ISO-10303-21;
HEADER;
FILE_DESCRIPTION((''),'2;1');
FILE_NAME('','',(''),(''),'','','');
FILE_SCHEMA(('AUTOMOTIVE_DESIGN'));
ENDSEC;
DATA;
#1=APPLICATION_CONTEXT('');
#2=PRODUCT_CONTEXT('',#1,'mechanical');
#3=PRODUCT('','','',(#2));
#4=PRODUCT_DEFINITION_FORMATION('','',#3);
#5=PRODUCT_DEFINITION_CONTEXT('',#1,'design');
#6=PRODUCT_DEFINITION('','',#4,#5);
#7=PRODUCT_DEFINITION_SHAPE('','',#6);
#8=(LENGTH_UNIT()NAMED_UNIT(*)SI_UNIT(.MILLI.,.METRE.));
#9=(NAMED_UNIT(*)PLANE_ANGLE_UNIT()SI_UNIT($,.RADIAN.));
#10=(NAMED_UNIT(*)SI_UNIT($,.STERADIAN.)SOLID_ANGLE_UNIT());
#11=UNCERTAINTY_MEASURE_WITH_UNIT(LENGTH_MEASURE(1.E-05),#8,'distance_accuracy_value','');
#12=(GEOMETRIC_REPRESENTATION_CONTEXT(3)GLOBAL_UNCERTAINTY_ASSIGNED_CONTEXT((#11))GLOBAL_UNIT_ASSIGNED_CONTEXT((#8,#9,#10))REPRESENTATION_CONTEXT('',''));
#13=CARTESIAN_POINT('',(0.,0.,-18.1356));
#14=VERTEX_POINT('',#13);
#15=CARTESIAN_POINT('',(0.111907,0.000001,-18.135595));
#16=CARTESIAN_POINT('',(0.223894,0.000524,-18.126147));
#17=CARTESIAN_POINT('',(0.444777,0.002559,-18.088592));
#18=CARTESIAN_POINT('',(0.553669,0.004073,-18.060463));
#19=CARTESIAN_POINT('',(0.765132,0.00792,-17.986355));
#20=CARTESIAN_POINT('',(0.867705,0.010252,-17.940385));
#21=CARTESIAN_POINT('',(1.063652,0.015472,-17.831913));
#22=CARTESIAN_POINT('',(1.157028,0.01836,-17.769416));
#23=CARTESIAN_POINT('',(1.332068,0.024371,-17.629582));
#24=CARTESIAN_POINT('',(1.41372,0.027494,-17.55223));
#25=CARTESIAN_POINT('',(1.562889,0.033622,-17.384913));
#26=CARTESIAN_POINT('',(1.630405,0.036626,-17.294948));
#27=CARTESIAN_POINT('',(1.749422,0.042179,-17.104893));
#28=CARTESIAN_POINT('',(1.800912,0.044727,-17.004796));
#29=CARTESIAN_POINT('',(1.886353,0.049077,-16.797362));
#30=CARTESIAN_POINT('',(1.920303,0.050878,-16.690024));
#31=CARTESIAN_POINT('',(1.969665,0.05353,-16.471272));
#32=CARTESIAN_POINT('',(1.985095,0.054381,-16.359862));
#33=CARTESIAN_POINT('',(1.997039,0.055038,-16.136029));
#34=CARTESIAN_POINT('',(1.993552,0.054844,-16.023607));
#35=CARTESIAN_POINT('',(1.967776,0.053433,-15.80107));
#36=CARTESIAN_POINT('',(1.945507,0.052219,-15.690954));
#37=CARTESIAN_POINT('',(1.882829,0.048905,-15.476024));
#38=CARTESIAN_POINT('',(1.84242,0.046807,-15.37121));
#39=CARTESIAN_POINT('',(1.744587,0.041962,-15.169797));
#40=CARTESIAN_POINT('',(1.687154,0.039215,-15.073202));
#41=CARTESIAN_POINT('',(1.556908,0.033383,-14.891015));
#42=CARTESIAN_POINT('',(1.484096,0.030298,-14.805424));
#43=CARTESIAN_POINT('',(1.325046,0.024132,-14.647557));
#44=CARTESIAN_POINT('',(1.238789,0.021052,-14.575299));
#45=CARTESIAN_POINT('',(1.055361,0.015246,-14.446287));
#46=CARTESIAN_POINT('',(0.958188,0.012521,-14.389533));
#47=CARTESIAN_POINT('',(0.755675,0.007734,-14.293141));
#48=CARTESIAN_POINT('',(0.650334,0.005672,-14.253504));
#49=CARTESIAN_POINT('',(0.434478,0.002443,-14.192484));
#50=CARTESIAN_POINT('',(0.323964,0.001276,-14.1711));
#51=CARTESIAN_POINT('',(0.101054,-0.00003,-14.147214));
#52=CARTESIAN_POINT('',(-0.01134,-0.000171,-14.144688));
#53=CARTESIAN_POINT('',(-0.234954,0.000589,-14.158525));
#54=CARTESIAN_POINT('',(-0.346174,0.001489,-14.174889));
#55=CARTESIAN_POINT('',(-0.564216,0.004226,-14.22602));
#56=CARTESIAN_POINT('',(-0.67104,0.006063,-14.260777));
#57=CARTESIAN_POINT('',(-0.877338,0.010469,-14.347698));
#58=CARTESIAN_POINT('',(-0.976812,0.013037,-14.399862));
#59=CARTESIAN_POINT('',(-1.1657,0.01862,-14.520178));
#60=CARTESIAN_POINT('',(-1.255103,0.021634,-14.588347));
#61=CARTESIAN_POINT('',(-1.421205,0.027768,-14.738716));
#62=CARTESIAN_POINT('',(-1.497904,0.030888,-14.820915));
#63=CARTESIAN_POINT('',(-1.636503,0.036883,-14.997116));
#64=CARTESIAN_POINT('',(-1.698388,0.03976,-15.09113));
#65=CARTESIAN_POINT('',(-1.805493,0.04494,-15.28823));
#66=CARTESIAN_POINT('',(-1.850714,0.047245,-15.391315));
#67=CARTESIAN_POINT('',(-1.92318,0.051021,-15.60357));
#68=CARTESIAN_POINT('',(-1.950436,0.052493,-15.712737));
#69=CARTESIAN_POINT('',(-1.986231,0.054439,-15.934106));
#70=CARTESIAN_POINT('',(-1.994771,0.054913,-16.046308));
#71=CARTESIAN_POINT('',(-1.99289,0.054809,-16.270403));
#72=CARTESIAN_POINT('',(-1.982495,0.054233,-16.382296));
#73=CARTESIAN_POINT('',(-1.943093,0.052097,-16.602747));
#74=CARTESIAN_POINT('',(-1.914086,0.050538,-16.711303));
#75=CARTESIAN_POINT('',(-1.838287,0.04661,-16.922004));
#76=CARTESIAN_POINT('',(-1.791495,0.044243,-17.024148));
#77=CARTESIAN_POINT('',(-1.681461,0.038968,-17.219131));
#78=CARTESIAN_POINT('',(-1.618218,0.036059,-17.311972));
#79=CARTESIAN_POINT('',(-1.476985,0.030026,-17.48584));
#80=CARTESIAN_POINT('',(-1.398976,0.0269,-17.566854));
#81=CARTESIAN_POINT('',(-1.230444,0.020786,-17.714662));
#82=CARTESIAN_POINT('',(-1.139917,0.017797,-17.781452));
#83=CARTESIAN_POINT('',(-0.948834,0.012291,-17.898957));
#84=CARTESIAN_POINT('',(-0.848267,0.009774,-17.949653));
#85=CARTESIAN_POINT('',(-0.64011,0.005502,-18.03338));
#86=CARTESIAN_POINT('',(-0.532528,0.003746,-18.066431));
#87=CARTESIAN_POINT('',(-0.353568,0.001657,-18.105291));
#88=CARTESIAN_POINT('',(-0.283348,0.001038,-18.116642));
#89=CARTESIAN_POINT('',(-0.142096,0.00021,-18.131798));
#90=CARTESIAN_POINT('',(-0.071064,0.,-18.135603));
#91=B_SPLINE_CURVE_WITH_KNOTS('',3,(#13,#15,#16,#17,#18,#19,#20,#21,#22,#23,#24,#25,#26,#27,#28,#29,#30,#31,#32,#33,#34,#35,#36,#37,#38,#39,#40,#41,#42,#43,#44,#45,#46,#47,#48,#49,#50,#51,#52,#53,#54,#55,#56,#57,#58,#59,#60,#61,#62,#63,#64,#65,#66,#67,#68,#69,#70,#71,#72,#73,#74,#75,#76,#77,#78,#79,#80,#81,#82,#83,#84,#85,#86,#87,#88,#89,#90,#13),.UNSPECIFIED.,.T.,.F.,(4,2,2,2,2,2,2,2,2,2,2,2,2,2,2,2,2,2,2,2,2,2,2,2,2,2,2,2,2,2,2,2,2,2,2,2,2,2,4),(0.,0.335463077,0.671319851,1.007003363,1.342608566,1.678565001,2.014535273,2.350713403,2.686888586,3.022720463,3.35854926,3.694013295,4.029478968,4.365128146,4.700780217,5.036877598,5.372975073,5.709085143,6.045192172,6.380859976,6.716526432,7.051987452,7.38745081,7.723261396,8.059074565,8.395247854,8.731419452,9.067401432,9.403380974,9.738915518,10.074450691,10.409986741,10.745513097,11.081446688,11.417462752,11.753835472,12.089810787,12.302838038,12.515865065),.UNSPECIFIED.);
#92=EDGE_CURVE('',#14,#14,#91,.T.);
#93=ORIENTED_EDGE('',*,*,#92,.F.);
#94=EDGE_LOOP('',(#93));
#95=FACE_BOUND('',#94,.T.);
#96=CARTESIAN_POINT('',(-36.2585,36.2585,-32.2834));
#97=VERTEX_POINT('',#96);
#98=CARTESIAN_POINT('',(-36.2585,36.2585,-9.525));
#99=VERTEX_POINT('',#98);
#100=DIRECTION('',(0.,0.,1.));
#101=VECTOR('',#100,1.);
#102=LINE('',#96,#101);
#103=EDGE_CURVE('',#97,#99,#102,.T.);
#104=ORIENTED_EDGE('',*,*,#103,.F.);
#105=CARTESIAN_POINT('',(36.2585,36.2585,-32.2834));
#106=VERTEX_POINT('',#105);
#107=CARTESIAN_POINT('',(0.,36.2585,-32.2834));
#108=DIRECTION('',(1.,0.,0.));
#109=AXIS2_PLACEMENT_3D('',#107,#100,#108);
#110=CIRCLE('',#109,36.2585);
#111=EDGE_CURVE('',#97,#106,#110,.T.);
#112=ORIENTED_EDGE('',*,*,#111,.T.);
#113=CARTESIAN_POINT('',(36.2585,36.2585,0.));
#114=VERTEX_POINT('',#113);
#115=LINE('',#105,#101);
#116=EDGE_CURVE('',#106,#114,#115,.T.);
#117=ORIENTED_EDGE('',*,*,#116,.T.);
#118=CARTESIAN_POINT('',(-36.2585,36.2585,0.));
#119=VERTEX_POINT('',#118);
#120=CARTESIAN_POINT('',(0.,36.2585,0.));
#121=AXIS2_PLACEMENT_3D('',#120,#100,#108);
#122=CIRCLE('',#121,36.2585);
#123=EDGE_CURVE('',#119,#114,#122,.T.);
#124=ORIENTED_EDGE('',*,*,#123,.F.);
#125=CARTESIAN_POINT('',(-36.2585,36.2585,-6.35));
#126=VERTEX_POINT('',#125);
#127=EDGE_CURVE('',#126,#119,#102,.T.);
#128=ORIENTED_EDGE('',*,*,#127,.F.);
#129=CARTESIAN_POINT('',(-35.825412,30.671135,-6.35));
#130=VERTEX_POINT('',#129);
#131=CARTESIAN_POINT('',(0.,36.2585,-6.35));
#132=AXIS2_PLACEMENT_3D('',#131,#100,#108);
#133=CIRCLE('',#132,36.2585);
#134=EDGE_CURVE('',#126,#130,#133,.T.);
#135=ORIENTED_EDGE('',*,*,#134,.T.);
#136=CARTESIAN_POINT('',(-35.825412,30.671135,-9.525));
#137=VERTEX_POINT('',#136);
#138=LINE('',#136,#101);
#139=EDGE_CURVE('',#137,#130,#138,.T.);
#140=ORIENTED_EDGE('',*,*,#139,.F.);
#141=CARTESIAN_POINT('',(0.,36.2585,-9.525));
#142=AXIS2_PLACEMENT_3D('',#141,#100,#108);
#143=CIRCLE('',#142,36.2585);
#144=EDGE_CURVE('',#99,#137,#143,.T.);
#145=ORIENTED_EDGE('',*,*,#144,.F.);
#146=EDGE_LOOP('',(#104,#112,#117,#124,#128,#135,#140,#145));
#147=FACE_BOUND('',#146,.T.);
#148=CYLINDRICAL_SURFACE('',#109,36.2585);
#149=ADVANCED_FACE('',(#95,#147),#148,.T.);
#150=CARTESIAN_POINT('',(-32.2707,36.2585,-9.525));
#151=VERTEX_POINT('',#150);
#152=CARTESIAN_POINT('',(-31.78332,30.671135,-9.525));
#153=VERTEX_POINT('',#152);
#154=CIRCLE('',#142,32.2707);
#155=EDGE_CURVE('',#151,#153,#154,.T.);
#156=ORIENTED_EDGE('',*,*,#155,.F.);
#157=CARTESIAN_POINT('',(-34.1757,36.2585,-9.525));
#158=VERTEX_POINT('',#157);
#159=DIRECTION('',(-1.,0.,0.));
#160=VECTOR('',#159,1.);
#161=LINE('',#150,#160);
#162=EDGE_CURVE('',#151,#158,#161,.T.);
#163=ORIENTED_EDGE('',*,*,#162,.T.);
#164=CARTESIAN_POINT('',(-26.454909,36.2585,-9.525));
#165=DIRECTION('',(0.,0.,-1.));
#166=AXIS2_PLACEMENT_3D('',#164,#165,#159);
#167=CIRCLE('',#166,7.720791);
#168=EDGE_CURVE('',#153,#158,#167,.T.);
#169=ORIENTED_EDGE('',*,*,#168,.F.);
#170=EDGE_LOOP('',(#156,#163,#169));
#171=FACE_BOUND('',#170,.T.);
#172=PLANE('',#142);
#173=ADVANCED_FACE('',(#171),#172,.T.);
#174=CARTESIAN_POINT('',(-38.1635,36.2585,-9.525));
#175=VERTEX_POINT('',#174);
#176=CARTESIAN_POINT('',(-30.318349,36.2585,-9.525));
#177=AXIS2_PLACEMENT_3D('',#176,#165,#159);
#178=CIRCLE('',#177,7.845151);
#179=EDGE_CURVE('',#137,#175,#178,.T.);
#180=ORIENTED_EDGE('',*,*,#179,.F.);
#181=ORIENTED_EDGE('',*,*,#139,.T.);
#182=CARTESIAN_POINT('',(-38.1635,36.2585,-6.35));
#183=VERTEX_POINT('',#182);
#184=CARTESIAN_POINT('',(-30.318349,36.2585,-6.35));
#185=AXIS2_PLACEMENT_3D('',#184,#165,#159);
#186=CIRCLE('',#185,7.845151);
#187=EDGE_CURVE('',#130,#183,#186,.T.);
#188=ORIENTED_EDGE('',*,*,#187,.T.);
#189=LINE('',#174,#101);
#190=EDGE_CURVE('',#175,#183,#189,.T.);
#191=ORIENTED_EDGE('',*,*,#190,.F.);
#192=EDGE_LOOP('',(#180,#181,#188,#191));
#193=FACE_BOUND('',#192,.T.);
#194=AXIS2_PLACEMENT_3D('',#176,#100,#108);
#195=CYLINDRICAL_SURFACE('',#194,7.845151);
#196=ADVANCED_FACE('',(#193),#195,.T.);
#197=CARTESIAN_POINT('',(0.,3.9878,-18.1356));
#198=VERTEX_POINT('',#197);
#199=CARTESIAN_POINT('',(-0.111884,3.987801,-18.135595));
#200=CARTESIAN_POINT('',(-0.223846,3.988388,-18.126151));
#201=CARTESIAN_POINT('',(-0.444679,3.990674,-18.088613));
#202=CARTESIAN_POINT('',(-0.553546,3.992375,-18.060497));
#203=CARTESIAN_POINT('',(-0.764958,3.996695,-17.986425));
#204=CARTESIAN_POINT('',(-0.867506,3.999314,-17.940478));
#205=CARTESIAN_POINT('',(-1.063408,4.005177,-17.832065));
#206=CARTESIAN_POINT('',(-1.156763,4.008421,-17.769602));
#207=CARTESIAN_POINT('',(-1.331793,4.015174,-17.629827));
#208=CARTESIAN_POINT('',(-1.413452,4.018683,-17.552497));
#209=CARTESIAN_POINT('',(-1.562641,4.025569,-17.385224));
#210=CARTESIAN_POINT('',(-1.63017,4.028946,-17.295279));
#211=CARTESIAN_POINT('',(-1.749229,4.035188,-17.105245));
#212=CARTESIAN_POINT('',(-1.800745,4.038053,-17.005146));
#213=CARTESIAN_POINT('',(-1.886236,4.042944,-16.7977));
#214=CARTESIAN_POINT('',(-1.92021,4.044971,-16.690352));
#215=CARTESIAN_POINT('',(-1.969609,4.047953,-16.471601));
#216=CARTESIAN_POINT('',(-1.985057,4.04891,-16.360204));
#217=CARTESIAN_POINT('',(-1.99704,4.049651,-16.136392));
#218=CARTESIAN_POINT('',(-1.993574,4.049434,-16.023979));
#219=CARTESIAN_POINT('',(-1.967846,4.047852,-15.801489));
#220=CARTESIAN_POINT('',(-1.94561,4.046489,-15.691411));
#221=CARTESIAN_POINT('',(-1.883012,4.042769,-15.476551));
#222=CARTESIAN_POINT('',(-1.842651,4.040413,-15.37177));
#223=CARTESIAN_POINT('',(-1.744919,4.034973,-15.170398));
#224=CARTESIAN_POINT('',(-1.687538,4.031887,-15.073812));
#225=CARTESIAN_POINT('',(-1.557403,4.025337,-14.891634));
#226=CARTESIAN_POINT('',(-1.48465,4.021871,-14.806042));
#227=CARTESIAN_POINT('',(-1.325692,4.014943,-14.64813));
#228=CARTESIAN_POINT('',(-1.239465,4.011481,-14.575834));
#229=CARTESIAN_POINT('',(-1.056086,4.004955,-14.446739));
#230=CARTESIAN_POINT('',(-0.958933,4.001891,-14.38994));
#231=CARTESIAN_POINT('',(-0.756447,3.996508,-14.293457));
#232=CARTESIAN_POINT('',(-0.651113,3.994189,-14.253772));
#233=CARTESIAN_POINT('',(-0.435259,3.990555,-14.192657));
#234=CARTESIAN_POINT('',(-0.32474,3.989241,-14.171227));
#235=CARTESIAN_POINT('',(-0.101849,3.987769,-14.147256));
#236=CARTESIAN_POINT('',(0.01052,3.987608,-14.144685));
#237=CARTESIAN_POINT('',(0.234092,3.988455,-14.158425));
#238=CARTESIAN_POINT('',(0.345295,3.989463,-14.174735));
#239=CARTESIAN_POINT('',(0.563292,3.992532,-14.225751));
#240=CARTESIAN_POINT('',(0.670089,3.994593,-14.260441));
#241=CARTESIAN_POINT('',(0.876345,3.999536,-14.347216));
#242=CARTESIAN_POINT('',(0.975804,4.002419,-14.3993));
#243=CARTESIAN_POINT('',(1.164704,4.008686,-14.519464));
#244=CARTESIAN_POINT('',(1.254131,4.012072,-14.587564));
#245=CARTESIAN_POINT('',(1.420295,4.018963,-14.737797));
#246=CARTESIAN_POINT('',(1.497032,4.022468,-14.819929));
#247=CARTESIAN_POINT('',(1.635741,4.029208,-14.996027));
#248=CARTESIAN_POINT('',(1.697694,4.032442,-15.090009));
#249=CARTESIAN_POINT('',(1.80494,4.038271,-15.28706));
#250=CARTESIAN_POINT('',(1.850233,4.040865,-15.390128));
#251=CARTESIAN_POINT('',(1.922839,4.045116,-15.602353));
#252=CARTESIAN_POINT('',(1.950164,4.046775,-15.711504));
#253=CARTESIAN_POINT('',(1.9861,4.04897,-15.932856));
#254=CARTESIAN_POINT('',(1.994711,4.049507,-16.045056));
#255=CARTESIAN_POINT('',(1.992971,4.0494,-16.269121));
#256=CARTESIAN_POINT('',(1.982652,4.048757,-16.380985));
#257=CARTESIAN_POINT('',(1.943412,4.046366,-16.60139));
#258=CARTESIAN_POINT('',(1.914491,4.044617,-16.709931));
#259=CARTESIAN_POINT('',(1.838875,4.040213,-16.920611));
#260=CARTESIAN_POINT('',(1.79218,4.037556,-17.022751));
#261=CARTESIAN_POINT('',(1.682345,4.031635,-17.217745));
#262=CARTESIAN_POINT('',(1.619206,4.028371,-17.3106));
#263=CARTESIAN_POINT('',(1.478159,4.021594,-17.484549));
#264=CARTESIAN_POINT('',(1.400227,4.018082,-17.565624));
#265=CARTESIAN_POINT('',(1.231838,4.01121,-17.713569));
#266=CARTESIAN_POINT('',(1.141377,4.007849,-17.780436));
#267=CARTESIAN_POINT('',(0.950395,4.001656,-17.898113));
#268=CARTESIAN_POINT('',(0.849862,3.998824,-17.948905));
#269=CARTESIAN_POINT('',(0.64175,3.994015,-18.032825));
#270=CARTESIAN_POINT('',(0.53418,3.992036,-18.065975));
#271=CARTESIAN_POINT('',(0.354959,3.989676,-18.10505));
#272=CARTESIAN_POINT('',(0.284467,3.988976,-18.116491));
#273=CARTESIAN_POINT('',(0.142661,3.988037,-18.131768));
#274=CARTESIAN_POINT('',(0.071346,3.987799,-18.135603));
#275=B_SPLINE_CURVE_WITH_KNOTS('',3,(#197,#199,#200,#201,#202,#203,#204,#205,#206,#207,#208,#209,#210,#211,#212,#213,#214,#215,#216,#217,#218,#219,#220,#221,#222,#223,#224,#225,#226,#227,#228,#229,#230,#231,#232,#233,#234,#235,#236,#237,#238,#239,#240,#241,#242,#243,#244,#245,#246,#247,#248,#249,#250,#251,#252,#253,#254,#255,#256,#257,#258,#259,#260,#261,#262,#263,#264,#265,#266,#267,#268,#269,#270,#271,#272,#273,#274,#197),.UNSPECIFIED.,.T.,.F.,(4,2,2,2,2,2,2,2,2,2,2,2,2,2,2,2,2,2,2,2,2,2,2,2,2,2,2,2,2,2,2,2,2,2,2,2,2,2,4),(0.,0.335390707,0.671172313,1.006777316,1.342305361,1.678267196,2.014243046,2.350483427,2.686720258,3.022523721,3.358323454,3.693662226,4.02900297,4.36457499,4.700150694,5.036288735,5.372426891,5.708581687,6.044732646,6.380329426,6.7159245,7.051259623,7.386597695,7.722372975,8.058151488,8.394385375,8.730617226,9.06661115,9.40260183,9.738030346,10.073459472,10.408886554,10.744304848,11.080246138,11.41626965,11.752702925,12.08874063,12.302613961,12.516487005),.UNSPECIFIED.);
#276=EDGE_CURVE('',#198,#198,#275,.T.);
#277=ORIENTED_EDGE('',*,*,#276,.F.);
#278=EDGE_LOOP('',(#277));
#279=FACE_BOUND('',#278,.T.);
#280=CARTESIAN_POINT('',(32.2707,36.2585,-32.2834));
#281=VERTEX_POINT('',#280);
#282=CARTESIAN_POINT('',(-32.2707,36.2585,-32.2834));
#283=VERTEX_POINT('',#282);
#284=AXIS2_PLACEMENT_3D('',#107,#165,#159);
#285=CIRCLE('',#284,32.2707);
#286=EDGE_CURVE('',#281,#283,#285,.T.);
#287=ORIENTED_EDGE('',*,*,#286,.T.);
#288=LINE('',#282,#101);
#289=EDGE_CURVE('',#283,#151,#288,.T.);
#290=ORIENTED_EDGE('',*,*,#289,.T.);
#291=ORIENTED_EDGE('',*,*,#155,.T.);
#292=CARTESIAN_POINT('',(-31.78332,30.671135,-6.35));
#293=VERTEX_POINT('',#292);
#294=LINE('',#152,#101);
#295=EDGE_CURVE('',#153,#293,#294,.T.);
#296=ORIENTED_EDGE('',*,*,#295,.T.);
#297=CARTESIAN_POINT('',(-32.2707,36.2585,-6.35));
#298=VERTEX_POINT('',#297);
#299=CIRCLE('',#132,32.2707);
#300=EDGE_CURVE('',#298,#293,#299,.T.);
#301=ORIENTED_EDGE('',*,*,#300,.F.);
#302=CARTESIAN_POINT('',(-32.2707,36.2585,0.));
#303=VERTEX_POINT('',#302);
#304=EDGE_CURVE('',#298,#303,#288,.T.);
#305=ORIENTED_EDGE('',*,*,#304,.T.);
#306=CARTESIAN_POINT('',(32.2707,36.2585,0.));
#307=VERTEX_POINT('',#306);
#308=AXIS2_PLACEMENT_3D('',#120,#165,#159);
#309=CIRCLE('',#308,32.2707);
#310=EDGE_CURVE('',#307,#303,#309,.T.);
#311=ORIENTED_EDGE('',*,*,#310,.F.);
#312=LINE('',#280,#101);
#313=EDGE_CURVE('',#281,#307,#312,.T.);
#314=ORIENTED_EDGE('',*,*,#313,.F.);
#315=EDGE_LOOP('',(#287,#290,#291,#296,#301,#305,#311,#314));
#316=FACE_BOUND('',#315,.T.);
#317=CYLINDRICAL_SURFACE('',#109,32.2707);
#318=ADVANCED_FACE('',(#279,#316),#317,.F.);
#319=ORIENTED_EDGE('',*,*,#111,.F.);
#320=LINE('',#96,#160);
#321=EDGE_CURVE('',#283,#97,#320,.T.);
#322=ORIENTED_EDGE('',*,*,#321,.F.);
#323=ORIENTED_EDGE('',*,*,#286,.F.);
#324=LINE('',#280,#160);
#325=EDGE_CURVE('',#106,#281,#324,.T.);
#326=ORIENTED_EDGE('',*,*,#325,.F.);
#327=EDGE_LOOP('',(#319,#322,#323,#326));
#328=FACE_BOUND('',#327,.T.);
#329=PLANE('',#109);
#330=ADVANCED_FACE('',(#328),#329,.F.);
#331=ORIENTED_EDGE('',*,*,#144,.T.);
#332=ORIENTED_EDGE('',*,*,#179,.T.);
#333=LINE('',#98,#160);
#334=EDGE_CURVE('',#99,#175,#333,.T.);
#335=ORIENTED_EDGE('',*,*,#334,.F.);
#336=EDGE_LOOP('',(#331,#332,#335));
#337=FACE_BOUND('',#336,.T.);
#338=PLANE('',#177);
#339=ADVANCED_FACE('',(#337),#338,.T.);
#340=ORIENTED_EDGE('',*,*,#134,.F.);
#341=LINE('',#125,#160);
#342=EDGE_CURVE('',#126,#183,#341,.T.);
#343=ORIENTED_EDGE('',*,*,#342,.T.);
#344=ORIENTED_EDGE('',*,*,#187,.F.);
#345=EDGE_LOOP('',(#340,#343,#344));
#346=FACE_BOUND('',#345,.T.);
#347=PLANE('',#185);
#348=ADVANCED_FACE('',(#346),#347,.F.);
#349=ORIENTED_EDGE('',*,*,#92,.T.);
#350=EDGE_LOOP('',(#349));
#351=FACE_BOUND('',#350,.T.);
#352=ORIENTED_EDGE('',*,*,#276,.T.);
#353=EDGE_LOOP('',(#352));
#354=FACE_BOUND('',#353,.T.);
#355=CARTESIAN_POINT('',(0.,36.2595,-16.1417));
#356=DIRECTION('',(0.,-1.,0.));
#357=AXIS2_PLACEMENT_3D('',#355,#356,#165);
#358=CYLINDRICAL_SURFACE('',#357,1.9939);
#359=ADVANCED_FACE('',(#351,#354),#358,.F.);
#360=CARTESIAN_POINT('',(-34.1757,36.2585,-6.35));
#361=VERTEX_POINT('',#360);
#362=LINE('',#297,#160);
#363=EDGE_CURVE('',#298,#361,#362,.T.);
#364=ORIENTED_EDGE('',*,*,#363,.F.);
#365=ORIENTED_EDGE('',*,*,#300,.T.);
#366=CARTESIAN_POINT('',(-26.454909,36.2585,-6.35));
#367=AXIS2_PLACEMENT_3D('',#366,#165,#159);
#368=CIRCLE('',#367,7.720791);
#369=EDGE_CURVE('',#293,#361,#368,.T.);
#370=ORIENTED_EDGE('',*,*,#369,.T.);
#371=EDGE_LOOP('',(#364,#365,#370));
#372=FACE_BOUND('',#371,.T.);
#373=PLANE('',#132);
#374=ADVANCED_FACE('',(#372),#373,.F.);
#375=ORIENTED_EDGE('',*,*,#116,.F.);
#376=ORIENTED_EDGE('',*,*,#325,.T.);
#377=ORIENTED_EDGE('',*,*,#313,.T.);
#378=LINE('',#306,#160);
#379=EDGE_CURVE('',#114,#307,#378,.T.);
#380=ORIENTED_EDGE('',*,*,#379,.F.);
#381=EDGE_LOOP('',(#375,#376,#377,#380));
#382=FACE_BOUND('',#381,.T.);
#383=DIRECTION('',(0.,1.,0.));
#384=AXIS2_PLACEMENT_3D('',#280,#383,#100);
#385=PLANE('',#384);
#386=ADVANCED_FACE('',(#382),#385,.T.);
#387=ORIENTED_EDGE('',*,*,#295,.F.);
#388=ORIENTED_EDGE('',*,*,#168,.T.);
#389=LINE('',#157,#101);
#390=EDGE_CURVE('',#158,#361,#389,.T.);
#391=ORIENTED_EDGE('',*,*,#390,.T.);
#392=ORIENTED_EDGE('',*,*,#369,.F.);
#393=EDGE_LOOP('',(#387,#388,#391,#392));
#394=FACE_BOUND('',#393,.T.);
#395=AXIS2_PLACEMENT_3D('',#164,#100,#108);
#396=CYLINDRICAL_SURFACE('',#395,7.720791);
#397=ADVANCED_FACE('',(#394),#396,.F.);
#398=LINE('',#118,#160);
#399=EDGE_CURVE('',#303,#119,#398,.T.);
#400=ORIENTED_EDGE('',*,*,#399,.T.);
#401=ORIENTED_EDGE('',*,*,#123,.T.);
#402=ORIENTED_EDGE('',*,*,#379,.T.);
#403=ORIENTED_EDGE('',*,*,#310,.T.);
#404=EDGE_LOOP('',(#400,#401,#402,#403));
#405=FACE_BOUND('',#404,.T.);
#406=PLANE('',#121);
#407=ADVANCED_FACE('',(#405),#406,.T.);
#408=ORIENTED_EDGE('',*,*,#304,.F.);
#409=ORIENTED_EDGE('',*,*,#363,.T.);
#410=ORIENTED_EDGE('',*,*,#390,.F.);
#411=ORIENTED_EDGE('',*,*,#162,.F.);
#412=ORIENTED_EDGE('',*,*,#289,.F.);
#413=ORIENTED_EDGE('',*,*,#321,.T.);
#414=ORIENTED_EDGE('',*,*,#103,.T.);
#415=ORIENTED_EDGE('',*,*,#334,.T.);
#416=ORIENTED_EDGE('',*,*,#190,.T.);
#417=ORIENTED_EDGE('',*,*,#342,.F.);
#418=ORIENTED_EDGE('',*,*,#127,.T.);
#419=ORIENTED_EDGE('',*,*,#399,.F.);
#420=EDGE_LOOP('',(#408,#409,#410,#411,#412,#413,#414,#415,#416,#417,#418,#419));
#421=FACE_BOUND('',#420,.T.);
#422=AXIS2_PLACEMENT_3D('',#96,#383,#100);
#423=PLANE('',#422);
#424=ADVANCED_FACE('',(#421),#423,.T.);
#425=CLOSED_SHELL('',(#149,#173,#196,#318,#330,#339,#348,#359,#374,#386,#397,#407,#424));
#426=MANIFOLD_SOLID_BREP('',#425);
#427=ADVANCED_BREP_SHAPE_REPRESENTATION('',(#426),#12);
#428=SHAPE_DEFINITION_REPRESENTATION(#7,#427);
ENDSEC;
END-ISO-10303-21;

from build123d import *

# Parameters (mm, degrees)
BOSS_EXTRUDE1_DEPTH     = 32.2834
CUT_EXTRUDE1_REACH      = 62.594
CUT_EXTRUDE1_END_RADIUS = 32.2707
SKETCH2_R               = 1.9939
BOSS_EXTRUDE2_DEPTH     = 3.175
CUT_EXTRUDE2_DEPTH      = 3.175


with BuildPart() as part:
    # Sketch1 → Boss-Extrude1 (new body)
    with BuildSketch(Plane.XY):
        with BuildLine():
            Line((-36.2585, 36.2585), (-32.2707, 36.2585))
            ThreePointArc((-32.2707, 36.2585), (0, 3.9878), (32.2707, 36.2585))
            Line((32.2707, 36.2585), (36.2585, 36.2585))
            ThreePointArc((36.2585, 36.2585), (0, 0), (-36.2585, 36.2585))
        make_face()
    extrude(amount=-BOSS_EXTRUDE1_DEPTH)

    # Cut-Extrude1: up to this cylinder (the profile starts outside it)
    cut_extrude1_end = Plane(origin=(0, 36.2585, -16.1417), z_dir=(0, 0, 1)) * Cylinder(CUT_EXTRUDE1_END_RADIUS, 190.7294, mode=Mode.PRIVATE)
    # Sketch2 → Cut-Extrude1 (cut, up to the surface)
    with BuildSketch(Plane(origin=(0, 0, 0), x_dir=(1, 0, 0), z_dir=(0, 1, 0)), mode=Mode.PRIVATE) as cut_extrude1_sk1:
        with Locations(Location((0, 16.1417, 0), (0, 0, 90))):
            Circle(SKETCH2_R)
    cut_extrude1_tool1 = extrude(cut_extrude1_sk1.sketch, amount=CUT_EXTRUDE1_REACH, mode=Mode.PRIVATE) - cut_extrude1_end
    add(cut_extrude1_tool1.solids().sort_by_distance((0, 0, -16.1417))[0], mode=Mode.SUBTRACT)

    # Sketch4 → Boss-Extrude2 (add)
    with BuildSketch(Plane.XY.offset(-6.35)):
        with BuildLine():
            Line((-36.2585, 36.2585), (-38.1635, 36.2585))
            ThreePointArc((-38.1635, 36.2585), (-37.555411186, 33.230080338), (-35.825412395, 30.671134883))
            ThreePointArc((-35.825412395, 30.671134883), (-36.150065958, 33.456437642), (-36.2585, 36.2585))
        make_face()
    extrude(amount=-BOSS_EXTRUDE2_DEPTH)

    # Sketch5 → Cut-Extrude2 (cut)
    with BuildSketch(Plane.XY.offset(-6.35)):
        with BuildLine():
            Line((-32.2707, 36.2585), (-34.1757, 36.2585))
            ThreePointArc((-34.1757, 36.2585), (-33.552449463, 33.219498064), (-31.783319989, 30.671134883))
            ThreePointArc((-31.783319989, 30.671134883), (-32.148624099, 33.454209171), (-32.2707, 36.2585))
        make_face()
    extrude(amount=-CUT_EXTRUDE2_DEPTH, mode=Mode.SUBTRACT)


solid = part.part
